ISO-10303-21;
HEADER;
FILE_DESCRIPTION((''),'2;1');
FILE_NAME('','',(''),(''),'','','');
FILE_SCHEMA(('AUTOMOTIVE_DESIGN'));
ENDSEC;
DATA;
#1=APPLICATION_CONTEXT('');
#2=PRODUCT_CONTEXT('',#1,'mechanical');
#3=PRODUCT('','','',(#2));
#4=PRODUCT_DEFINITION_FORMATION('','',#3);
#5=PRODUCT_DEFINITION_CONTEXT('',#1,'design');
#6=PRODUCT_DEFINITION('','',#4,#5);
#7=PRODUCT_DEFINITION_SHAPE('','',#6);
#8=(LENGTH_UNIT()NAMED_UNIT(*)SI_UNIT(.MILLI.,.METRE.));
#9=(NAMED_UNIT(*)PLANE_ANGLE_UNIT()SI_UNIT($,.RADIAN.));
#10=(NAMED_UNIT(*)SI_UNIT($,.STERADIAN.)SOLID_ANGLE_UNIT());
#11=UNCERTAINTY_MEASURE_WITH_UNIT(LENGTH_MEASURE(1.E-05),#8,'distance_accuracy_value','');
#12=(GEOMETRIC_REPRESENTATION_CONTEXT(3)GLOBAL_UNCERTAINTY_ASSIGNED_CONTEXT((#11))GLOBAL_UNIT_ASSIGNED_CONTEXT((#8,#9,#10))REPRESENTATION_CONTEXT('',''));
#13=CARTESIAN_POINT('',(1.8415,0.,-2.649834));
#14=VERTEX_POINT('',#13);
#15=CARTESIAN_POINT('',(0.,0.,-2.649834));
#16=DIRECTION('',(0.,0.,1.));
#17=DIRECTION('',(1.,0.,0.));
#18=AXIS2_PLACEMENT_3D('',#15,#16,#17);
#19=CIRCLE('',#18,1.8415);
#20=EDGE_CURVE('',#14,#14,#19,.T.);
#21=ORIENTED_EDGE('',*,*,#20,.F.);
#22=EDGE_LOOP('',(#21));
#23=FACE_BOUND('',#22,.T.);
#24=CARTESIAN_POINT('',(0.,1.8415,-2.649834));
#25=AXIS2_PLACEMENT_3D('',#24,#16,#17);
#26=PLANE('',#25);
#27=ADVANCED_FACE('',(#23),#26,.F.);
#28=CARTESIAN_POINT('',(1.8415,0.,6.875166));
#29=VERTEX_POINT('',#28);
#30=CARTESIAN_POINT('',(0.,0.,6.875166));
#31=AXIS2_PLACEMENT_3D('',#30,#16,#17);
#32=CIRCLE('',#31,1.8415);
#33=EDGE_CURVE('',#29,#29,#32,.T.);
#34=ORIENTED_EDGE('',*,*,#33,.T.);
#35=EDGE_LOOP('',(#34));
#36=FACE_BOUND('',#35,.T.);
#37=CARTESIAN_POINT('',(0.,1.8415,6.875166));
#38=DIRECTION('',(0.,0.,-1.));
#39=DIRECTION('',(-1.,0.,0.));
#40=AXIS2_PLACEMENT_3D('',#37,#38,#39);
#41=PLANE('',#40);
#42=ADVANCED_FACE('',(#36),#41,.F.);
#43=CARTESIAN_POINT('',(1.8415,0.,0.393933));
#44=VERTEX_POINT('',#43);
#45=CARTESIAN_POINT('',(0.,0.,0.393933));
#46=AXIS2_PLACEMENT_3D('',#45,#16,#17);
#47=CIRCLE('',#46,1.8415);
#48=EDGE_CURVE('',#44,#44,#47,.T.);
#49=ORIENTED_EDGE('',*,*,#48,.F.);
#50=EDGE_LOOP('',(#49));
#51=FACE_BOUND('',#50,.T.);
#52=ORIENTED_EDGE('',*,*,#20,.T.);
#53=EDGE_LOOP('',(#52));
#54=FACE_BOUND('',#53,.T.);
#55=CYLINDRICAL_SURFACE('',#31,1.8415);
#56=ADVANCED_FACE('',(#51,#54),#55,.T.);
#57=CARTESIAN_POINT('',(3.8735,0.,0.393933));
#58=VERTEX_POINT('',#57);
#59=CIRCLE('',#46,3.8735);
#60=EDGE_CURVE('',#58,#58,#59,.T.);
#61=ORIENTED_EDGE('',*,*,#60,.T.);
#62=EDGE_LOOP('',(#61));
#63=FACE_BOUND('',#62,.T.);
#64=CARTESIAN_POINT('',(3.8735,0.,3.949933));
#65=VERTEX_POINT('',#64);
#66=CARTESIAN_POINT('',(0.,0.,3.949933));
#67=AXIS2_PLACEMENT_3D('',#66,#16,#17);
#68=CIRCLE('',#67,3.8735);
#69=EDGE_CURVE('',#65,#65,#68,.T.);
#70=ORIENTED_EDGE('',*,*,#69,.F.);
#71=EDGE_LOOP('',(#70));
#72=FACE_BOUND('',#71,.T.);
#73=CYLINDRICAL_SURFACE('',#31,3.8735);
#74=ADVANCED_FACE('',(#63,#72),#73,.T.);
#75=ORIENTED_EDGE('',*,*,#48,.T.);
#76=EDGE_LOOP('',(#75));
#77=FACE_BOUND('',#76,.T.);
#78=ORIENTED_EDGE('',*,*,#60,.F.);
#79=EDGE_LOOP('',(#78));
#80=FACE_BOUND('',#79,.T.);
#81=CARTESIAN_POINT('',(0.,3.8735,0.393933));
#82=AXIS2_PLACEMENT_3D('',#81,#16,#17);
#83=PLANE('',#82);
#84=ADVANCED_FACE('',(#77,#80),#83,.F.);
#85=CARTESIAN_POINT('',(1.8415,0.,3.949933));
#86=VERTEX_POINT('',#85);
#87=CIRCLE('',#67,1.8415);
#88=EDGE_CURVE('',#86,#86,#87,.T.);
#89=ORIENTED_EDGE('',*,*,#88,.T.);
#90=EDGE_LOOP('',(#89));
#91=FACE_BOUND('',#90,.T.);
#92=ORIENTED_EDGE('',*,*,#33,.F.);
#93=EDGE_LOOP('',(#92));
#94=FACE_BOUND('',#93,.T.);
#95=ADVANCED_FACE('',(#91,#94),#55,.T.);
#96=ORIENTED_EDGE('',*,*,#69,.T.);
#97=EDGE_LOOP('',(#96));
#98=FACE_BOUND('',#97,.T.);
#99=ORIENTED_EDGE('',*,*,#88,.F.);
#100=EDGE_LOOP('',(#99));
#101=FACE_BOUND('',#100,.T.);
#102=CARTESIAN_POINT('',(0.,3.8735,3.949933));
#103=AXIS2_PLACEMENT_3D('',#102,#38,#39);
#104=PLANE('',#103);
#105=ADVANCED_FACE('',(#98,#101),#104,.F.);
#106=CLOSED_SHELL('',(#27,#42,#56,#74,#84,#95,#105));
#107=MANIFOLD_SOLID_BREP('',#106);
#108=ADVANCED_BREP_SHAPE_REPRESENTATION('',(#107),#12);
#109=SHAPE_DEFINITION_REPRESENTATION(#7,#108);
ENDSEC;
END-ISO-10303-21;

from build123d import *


with BuildPart() as part:
    # Sketch3 → Revolve1 (revolve)
    with BuildSketch(Plane(origin=(0, 0, 0), x_dir=(0, 0, -1), z_dir=(1, 0, 0)), mode=Mode.PRIVATE) as revolve1_sk:
        Polygon((-6.875165628, 1.8415), (-3.949933487, 1.8415), (-3.949933487, 3.8735), (-0.393933487, 3.8735), (-0.393933487, 1.8415), (2.649834372, 1.8415), (2.649834372, 0), (-6.875165628, 0), align=None)
    revolve(revolve1_sk.sketch.rotate(Axis((0, 0, 6.875165628), (0, 0, -1)), 90), axis=Axis((0, 0, 6.875165628), (0, 0, -1)))


solid = part.part
